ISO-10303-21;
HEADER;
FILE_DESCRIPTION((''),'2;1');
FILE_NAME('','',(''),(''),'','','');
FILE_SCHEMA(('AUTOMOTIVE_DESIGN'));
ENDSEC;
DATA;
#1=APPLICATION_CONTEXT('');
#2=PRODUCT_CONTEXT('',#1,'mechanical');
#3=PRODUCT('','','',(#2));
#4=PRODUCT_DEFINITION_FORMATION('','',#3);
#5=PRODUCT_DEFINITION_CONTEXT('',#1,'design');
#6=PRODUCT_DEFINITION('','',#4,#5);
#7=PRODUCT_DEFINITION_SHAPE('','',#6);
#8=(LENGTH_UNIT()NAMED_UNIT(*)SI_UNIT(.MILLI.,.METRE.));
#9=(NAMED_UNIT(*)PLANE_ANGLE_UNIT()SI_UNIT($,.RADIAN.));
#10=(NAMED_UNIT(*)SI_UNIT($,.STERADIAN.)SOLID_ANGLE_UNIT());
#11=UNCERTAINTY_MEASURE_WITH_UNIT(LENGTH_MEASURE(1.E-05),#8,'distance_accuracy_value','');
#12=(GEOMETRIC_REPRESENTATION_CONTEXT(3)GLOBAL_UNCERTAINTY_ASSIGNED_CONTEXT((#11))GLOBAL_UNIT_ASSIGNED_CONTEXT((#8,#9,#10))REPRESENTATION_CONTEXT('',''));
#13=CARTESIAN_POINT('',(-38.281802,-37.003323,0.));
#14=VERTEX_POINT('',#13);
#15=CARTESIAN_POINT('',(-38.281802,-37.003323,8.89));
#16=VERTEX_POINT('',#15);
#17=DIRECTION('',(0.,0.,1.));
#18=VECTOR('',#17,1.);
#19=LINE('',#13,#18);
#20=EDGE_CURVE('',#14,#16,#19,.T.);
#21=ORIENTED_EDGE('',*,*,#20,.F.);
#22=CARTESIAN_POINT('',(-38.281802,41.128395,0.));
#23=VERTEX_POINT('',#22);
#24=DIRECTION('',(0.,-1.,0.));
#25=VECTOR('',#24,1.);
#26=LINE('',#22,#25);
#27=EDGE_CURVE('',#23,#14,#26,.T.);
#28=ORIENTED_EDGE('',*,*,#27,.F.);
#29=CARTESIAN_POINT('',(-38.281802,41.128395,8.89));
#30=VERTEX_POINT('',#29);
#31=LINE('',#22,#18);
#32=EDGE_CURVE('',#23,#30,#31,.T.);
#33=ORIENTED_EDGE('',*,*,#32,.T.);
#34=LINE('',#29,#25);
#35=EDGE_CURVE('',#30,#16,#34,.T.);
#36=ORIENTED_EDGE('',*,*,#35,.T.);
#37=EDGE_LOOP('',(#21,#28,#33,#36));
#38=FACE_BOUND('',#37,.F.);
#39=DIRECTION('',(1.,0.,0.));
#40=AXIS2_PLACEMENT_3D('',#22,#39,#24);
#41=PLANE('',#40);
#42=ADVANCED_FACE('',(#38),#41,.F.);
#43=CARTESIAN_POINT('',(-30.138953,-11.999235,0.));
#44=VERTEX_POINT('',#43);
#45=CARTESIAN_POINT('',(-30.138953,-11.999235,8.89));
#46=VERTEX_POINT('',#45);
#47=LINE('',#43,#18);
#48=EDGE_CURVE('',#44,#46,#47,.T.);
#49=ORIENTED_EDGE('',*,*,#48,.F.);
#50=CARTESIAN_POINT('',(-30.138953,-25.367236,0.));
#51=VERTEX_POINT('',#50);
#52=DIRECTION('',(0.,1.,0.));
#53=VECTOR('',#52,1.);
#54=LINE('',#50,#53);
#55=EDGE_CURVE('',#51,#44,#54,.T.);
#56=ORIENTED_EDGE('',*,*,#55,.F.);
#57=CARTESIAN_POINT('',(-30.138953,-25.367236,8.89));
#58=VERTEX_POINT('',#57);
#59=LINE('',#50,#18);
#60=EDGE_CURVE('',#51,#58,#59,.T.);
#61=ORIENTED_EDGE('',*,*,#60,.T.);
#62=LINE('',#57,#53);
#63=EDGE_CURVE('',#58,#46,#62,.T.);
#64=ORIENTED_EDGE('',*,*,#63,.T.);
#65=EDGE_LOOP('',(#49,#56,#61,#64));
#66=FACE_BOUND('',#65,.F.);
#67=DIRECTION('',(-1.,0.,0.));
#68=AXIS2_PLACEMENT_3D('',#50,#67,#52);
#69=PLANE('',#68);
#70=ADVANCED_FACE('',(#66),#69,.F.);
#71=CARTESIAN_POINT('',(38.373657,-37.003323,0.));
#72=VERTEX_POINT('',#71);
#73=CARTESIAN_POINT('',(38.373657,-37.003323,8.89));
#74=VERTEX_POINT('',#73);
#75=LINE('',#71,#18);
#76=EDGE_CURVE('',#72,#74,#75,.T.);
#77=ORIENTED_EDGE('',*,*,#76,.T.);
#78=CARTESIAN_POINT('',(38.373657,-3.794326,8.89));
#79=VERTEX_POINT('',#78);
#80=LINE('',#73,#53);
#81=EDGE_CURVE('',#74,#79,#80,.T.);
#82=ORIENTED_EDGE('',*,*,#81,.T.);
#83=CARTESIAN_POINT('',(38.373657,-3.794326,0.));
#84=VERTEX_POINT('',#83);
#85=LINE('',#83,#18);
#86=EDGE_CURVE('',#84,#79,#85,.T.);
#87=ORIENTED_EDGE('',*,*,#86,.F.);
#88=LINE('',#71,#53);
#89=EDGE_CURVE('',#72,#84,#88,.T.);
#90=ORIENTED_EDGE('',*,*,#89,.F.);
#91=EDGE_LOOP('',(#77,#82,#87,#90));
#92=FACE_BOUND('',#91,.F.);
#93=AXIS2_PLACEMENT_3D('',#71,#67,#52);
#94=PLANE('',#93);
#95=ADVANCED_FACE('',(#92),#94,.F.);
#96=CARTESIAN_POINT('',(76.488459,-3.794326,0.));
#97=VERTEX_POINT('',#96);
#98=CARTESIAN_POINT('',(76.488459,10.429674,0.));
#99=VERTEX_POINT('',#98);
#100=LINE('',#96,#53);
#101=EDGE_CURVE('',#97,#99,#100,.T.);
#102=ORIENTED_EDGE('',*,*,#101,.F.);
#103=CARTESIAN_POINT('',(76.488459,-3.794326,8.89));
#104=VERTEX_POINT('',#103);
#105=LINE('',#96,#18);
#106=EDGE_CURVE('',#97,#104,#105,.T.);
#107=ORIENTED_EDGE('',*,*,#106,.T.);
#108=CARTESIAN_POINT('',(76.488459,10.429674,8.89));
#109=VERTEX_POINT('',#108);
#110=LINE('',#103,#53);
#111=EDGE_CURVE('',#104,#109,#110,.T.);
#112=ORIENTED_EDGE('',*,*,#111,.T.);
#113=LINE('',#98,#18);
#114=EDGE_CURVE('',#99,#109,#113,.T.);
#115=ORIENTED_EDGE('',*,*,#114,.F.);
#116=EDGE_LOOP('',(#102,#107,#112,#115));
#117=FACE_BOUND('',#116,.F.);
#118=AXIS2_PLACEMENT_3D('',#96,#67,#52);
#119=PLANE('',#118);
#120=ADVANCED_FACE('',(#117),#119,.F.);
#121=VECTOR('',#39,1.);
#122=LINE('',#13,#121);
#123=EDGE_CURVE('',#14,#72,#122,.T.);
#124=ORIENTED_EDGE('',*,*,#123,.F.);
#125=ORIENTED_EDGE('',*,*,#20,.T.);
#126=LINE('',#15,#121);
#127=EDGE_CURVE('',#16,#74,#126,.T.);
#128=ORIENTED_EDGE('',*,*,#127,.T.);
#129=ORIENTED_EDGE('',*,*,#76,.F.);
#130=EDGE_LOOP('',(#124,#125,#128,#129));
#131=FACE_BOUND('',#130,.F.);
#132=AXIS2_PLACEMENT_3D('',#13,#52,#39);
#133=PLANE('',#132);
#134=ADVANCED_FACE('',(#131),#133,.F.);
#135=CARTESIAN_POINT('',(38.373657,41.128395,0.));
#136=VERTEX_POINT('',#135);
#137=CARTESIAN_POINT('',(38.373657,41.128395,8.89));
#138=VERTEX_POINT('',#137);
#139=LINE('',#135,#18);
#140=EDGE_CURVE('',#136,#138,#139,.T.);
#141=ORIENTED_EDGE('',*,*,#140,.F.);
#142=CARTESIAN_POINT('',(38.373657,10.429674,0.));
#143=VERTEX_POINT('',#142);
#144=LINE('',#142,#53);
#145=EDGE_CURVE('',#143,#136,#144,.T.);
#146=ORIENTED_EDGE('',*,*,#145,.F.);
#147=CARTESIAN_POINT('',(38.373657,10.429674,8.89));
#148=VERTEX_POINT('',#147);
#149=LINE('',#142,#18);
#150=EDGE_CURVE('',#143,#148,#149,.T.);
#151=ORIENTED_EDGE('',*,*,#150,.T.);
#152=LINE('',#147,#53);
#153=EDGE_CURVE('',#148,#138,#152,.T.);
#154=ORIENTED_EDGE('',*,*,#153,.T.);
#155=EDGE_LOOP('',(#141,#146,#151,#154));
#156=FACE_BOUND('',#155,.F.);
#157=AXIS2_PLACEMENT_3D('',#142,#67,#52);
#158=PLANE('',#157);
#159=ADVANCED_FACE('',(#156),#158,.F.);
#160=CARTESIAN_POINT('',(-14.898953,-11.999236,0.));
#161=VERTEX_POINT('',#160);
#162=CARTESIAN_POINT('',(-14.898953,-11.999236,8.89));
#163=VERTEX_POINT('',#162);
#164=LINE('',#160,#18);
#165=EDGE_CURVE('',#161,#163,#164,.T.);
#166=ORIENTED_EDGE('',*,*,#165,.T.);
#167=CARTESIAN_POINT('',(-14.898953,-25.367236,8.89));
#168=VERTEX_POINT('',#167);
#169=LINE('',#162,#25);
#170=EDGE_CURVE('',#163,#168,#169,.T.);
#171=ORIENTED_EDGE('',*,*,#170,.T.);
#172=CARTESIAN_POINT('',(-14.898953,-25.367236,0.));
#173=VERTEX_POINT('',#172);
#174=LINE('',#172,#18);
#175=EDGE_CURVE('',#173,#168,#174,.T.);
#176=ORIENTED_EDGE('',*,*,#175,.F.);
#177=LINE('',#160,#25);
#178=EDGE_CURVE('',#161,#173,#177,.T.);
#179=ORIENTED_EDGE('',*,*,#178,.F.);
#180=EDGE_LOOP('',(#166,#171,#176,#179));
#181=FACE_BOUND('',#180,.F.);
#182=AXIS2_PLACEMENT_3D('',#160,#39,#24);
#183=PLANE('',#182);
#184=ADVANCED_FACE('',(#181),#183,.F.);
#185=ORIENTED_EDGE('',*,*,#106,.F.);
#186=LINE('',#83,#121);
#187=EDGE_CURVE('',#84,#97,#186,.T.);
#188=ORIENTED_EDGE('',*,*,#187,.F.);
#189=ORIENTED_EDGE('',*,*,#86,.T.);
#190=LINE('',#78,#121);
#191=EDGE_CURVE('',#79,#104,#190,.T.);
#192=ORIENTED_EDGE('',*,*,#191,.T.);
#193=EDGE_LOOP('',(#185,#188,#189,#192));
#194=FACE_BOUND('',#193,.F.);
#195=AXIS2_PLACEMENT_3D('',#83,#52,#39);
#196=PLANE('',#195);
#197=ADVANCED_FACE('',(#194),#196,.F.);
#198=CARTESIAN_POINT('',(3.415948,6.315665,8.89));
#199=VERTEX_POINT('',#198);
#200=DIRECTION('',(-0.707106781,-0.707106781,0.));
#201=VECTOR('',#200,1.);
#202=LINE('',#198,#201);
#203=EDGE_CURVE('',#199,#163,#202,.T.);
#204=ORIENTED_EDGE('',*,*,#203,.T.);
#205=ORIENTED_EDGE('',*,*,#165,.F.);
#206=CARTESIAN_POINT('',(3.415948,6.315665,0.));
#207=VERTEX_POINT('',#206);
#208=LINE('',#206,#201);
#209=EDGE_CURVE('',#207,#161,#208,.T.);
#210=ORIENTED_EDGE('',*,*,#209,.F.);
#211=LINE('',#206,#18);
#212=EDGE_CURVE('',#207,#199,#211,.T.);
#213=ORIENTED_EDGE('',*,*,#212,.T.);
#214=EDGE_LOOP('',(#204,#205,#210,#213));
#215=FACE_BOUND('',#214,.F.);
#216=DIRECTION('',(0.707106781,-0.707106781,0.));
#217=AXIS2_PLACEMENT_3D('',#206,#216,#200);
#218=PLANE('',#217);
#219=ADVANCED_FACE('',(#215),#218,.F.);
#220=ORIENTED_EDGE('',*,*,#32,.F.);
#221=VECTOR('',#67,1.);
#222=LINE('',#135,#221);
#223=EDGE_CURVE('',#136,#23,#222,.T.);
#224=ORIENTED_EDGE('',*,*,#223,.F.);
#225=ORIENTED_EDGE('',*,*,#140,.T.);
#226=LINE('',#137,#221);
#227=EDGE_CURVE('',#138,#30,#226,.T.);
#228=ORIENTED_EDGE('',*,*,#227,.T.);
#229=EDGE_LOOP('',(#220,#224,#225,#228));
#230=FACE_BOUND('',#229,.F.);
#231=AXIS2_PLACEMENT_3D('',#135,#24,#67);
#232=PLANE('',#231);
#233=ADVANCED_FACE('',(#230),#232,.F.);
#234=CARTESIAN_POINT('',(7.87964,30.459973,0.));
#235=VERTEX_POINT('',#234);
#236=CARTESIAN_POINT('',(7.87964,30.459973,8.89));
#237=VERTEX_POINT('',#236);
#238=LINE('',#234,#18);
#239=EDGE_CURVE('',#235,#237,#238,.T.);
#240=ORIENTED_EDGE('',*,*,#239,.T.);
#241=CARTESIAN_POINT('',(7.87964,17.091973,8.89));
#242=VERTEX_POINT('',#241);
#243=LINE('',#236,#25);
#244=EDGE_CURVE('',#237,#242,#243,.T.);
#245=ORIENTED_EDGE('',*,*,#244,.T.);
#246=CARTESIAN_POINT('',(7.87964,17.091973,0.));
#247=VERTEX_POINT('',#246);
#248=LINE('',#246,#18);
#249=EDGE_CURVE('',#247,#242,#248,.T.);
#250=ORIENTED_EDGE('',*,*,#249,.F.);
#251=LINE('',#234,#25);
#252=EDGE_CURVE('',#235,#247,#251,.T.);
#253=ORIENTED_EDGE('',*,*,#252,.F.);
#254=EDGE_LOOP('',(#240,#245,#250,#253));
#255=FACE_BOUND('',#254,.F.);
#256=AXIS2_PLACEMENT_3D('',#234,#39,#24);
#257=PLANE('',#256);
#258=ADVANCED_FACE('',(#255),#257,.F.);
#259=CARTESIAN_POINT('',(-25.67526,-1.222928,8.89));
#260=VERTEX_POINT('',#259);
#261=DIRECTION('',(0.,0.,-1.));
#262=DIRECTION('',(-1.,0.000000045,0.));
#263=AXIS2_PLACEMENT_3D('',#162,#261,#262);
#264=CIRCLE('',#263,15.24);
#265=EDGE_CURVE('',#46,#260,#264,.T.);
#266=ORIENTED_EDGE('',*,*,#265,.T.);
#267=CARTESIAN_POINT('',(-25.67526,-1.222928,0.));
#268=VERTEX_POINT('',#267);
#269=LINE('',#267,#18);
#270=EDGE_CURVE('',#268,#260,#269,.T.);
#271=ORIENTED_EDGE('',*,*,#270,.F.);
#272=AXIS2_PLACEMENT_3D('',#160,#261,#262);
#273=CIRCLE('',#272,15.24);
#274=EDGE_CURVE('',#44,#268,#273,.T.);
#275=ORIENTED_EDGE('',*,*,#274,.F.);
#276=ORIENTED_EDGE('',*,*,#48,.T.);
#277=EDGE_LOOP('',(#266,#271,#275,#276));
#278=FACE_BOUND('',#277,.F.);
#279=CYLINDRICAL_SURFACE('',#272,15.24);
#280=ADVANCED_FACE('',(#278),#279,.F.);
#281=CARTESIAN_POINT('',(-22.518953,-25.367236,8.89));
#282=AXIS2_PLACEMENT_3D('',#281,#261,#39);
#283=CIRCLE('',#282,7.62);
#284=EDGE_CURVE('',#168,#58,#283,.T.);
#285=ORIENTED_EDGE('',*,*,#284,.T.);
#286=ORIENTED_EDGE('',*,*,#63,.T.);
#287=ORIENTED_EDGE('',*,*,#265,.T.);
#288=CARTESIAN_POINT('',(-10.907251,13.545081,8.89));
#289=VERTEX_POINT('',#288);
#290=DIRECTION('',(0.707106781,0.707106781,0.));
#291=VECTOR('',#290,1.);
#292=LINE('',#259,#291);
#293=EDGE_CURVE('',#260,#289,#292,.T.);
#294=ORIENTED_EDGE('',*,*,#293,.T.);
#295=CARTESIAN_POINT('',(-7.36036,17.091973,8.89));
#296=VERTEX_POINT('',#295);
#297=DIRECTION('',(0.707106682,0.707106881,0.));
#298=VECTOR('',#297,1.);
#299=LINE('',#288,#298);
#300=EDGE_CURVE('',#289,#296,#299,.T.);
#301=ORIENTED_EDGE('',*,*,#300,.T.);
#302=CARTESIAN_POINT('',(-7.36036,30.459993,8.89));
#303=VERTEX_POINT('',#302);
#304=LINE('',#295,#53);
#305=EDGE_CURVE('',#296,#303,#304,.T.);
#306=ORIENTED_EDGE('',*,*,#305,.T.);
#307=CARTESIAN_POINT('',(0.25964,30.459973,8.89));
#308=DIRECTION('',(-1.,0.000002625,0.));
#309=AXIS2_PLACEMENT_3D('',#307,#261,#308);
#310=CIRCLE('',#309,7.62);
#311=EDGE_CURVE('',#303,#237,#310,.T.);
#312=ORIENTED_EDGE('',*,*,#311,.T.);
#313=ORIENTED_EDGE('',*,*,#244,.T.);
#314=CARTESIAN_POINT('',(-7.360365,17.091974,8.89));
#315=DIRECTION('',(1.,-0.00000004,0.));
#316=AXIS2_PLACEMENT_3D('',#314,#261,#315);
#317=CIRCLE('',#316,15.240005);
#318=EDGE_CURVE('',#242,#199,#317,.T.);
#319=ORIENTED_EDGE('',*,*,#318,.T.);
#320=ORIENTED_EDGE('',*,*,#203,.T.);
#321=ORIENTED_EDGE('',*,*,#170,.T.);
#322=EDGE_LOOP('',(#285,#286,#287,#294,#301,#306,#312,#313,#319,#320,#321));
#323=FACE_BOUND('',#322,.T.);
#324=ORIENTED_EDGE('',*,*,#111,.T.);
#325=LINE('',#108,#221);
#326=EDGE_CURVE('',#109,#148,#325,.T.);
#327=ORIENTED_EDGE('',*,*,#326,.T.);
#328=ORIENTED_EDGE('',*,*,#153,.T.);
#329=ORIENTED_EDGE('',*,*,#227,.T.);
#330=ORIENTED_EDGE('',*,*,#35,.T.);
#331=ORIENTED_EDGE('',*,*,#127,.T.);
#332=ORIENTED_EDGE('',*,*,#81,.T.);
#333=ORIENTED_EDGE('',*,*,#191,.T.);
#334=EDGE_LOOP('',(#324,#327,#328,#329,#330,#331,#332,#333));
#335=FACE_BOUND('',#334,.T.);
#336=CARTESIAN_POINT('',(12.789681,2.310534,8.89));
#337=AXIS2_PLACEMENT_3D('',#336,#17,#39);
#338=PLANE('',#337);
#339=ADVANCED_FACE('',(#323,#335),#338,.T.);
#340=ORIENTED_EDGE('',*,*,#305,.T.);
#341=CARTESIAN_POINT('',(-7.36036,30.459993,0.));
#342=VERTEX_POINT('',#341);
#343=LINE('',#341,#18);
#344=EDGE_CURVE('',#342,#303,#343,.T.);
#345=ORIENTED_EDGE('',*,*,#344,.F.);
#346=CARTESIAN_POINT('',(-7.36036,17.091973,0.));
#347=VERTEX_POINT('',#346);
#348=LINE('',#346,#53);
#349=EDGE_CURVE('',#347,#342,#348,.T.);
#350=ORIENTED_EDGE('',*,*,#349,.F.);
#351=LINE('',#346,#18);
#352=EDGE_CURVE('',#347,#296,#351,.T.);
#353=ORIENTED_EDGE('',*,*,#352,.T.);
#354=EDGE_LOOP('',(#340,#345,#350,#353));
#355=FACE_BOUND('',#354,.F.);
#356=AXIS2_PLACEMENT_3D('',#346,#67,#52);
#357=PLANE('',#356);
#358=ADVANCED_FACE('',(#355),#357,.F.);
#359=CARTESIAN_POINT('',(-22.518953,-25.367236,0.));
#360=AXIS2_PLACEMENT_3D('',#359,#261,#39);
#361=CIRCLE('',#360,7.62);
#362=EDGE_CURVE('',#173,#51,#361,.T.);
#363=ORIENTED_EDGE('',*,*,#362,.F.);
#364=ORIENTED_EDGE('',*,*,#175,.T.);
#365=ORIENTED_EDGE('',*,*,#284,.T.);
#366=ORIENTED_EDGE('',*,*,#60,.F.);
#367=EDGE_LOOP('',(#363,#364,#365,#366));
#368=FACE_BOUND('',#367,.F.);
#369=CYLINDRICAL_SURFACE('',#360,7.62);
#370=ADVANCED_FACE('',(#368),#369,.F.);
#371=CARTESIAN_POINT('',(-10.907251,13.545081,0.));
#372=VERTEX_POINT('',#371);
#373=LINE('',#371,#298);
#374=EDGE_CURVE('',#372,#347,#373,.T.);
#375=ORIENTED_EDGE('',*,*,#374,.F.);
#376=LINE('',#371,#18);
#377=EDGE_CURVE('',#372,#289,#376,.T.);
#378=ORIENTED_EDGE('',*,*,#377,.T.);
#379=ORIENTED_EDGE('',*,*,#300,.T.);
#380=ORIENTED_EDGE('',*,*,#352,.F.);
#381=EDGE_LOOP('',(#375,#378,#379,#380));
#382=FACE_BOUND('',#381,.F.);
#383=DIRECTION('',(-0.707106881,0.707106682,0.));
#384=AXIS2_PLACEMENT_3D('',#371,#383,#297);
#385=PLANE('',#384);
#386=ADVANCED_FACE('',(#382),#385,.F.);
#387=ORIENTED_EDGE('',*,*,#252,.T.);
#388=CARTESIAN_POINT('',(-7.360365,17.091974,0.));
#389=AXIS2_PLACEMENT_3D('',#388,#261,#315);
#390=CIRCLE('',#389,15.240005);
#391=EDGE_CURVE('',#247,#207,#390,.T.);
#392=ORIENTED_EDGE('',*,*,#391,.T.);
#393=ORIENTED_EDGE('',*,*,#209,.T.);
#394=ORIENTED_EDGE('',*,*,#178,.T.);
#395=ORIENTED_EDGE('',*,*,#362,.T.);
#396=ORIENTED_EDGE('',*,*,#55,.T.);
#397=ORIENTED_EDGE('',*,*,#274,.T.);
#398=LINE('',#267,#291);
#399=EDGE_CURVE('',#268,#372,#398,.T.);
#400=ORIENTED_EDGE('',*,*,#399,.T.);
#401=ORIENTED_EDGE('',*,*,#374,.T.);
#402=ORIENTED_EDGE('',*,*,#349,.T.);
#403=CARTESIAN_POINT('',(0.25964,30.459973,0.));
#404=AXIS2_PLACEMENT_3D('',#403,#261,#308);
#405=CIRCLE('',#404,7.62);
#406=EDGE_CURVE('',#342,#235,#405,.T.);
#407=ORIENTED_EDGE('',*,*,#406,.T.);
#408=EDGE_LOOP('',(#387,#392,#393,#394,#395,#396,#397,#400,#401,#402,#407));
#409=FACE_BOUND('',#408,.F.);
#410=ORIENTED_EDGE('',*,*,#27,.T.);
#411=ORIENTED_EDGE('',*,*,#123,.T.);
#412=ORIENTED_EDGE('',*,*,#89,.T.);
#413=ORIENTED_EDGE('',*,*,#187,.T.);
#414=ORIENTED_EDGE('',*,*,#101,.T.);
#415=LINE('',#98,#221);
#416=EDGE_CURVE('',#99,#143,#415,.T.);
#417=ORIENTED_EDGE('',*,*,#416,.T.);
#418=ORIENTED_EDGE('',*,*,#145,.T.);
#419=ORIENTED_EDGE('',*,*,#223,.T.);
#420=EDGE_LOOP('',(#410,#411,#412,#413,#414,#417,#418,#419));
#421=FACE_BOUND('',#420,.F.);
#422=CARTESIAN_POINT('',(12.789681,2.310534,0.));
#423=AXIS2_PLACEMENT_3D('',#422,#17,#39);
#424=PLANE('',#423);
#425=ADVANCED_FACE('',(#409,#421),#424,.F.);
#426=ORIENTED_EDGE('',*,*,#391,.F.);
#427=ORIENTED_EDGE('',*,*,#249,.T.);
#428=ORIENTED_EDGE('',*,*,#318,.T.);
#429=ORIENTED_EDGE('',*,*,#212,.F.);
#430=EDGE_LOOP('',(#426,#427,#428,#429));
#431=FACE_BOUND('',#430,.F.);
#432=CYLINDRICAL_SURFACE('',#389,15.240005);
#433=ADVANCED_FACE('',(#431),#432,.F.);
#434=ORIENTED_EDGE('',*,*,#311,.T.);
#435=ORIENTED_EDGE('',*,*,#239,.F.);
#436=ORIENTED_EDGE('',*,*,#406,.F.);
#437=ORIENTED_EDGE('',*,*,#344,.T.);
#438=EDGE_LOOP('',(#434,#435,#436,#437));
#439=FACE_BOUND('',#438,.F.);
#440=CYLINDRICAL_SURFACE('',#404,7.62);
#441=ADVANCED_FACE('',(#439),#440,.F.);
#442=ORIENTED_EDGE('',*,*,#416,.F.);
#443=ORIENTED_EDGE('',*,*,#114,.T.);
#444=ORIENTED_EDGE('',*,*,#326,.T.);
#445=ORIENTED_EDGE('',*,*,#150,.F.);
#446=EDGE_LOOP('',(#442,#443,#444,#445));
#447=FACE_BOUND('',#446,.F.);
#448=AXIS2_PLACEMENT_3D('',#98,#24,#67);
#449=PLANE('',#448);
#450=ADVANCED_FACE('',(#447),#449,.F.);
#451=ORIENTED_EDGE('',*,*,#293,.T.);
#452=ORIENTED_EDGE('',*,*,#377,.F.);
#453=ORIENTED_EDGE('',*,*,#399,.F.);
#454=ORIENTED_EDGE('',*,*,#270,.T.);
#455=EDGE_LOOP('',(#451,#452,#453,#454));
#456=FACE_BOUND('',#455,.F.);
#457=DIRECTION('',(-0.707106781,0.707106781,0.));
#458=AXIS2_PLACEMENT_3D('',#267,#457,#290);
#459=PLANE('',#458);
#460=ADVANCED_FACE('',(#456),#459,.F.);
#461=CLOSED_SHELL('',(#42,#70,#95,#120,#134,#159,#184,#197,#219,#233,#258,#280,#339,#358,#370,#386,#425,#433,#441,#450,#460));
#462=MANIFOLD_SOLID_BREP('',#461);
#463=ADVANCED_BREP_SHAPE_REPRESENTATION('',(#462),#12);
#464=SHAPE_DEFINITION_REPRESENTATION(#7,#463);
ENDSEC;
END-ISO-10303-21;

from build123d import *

# Parameters (mm, degrees)
F1_DEPTH = 8.89


with BuildPart() as f1:
    # F0 (on Top) → F1 (new body)
    with BuildSketch(Plane.XY):
        Polygon((38.373657, 41.128395), (-10.907251, 41.128395), (-38.281802, 41.128395), (-38.281802, 4.189338), (-38.281802, -37.003323), (38.373657, -37.003323), (38.373657, -3.794326), (76.488459, -3.794326), (76.488459, 3.317674), (76.488459, 10.429674), (38.373657, 10.429674), align=None)
        with BuildLine():
            Line((-16.520221, 7.932111), (-10.907251, 13.545081))
            Line((-10.907251, 13.545081), (-7.36036, 17.091973))
            Line((-7.36036, 17.091973), (-7.36036, 30.459993))
            ThreePointArc((-7.36036, 30.459993), (0.25965, 38.079973), (7.87964, 30.459973))
            Line((7.87964, 30.459973), (7.87964, 17.091973))
            ThreePointArc((7.87964, 17.091973), (6.719564, 11.259877), (3.415948, 6.315665))
            Line((3.415948, 6.315665), (-5.739092, -2.839375))
            Line((-5.739092, -2.839375), (-14.898953, -11.999236))
            Line((-14.898953, -11.999236), (-14.898953, -25.367236))
            ThreePointArc((-14.898953, -25.367236), (-22.518953, -32.987236), (-30.138953, -25.367236))
            Line((-30.138953, -25.367236), (-30.138953, -11.999235))
            ThreePointArc((-30.138953, -11.999235), (-28.978877, -6.16714), (-25.67526, -1.222928))
            Line((-25.67526, -1.222928), (-16.520221, 7.932111))
        make_face(mode=Mode.SUBTRACT)
    extrude(amount=F1_DEPTH)


solid = f1.part
